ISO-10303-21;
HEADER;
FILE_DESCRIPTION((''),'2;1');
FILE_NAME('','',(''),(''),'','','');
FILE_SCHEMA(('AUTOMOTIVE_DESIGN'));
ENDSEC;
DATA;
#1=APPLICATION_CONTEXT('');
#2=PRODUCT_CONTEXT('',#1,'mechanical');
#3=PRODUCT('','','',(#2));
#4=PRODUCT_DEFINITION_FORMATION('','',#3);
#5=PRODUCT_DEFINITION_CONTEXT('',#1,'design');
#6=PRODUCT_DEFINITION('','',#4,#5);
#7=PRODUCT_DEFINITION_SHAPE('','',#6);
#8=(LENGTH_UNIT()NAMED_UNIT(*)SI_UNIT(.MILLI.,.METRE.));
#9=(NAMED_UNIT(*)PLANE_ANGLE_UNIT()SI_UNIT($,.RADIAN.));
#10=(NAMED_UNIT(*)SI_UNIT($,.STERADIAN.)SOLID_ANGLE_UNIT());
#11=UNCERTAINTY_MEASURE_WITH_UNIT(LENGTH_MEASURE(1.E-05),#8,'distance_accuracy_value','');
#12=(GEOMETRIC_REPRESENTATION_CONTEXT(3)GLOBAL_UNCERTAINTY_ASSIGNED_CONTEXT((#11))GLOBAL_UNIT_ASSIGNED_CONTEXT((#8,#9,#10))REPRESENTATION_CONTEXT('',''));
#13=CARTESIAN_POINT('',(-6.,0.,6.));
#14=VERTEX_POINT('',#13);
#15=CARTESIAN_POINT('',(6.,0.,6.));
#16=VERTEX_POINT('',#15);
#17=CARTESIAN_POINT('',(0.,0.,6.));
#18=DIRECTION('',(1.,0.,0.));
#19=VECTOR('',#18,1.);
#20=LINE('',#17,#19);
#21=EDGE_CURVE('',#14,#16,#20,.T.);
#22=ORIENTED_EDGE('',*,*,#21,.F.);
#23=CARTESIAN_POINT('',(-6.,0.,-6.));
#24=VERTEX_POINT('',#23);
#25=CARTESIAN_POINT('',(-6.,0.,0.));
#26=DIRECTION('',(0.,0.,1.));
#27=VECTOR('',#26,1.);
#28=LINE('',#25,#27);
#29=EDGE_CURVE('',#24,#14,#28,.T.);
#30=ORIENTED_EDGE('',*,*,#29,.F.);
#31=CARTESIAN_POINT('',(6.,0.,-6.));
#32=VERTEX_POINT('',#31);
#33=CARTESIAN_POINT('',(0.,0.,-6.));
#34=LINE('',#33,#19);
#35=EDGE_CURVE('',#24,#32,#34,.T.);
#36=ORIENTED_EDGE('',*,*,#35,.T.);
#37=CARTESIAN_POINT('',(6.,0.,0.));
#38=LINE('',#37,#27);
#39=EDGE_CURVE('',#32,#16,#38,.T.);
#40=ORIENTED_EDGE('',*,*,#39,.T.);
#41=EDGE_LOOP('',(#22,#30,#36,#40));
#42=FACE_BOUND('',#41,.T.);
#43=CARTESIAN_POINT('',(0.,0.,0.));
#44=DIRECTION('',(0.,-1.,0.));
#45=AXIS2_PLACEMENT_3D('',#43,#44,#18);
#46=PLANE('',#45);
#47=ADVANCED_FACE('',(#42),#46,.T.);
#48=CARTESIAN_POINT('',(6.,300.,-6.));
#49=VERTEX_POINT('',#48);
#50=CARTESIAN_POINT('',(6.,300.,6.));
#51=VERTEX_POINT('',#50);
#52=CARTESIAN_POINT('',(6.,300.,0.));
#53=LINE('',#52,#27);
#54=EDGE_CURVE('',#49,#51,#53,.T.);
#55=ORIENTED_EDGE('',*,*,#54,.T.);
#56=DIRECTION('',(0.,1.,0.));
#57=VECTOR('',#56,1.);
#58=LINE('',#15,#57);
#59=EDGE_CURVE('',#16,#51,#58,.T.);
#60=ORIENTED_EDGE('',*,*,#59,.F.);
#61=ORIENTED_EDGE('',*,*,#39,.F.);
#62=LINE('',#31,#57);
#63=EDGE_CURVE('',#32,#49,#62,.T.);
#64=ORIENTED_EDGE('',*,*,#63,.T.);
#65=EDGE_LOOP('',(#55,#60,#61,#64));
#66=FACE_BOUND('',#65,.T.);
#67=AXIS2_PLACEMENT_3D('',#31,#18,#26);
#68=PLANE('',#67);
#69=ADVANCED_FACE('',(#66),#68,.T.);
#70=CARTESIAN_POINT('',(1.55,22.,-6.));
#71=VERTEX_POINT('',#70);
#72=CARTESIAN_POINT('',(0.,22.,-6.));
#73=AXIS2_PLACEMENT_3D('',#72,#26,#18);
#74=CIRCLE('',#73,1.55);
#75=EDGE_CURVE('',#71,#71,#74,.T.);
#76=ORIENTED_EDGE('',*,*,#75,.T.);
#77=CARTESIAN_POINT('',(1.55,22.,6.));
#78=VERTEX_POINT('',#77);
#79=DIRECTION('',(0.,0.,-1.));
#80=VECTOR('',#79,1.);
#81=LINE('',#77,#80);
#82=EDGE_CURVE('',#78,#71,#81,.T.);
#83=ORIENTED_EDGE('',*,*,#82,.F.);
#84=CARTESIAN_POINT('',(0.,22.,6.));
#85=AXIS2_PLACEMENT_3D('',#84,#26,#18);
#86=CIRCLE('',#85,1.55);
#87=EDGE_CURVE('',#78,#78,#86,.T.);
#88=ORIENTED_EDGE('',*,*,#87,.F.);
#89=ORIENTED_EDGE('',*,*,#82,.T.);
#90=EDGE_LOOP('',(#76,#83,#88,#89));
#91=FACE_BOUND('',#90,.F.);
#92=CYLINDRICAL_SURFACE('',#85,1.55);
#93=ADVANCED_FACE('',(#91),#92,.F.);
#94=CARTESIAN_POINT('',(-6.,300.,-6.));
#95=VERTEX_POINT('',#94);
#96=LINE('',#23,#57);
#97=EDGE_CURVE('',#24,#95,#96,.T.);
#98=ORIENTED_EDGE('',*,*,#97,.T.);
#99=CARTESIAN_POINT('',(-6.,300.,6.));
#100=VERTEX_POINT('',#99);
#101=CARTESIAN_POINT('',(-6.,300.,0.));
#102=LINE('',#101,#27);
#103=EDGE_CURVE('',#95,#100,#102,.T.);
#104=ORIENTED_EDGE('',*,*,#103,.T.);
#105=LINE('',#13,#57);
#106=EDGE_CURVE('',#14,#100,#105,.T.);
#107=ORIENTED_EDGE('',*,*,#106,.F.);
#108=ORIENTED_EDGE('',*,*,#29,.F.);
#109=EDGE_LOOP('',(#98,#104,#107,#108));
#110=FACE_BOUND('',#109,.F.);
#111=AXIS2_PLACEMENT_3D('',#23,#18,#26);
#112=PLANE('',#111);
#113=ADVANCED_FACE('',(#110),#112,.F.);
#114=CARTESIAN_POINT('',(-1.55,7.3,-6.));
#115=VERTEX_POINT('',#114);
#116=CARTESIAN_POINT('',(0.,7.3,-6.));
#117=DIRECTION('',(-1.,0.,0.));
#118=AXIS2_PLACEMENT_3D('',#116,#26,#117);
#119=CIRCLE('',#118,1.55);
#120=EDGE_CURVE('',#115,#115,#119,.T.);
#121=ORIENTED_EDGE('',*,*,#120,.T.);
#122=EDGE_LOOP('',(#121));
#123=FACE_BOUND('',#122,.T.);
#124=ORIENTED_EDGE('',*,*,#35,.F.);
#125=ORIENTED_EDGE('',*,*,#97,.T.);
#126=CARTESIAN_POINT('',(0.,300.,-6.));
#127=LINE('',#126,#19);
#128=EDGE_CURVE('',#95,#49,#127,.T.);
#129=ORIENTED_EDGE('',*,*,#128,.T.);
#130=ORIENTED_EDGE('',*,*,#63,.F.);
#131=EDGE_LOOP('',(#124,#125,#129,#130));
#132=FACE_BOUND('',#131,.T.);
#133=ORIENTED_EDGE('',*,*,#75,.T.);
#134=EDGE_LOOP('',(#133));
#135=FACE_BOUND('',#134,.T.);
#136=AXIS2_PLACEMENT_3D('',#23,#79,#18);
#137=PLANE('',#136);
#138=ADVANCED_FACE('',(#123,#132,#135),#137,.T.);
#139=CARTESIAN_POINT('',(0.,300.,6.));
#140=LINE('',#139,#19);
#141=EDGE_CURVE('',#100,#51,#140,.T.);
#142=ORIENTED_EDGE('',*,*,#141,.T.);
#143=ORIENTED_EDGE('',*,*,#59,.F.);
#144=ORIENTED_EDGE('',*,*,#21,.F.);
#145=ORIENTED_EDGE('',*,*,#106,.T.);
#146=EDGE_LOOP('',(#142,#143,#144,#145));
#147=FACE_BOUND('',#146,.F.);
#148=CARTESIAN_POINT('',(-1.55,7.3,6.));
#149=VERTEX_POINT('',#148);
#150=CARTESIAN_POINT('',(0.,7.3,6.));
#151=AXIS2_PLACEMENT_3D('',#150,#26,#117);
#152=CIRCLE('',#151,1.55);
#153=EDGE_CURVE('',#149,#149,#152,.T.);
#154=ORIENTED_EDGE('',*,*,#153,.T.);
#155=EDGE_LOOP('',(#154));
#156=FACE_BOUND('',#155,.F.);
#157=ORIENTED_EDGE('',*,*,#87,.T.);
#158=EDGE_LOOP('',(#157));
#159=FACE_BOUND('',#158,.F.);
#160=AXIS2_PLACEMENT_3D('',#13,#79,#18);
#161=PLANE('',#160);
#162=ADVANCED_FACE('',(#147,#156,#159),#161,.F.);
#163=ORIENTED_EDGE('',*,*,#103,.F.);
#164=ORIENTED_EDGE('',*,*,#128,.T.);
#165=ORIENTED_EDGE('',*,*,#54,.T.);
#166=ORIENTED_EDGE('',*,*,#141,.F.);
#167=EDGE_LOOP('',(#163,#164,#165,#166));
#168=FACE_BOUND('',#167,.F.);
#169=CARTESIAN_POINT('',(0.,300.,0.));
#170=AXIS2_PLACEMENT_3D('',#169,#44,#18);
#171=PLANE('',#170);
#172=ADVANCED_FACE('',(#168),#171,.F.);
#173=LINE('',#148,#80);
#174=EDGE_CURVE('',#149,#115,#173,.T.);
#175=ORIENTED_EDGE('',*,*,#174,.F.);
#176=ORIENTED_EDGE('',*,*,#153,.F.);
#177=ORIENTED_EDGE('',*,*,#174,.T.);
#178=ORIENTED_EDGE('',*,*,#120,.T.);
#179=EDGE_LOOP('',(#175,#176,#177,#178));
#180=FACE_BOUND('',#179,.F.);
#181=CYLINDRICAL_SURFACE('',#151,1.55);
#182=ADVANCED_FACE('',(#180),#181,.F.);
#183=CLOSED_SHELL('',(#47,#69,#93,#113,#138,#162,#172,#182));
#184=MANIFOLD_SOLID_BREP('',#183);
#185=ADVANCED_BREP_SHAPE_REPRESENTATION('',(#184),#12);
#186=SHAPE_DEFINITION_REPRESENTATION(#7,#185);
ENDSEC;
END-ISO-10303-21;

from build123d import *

# Parameters (mm, degrees)
F0_W     = 12
F0_H     = 12
F1_DEPTH = 300
F3_DEPTH = 12.001


with BuildPart() as f1:
    # F0 (on Front) → F1 (new body)
    with BuildSketch(Plane.XZ):
        Rectangle(F0_W, F0_H)
    extrude(amount=-F1_DEPTH)

    # F2 (on face) → F3 (cut, through all)
    with BuildSketch(Plane.XY.offset(6)):
        with BuildLine():
            Line((-1.55, 7.3), (1.55, 7.3))
            ThreePointArc((1.55, 7.3), (0, 8.85), (-1.55, 7.3))
        make_face()
        with BuildLine():
            ThreePointArc((-1.55, 22), (0, 20.45), (1.55, 22))
            Line((1.55, 22), (-1.55, 22))
        make_face()
        with BuildLine():
            Line((-1.55, 22), (1.55, 22))
            ThreePointArc((1.55, 22), (0, 23.55), (-1.55, 22))
        make_face()
        with BuildLine():
            ThreePointArc((-1.55, 7.3), (0, 5.75), (1.55, 7.3))
            Line((1.55, 7.3), (-1.55, 7.3))
        make_face()
    extrude(amount=-F3_DEPTH, mode=Mode.SUBTRACT)


solid = f1.part
